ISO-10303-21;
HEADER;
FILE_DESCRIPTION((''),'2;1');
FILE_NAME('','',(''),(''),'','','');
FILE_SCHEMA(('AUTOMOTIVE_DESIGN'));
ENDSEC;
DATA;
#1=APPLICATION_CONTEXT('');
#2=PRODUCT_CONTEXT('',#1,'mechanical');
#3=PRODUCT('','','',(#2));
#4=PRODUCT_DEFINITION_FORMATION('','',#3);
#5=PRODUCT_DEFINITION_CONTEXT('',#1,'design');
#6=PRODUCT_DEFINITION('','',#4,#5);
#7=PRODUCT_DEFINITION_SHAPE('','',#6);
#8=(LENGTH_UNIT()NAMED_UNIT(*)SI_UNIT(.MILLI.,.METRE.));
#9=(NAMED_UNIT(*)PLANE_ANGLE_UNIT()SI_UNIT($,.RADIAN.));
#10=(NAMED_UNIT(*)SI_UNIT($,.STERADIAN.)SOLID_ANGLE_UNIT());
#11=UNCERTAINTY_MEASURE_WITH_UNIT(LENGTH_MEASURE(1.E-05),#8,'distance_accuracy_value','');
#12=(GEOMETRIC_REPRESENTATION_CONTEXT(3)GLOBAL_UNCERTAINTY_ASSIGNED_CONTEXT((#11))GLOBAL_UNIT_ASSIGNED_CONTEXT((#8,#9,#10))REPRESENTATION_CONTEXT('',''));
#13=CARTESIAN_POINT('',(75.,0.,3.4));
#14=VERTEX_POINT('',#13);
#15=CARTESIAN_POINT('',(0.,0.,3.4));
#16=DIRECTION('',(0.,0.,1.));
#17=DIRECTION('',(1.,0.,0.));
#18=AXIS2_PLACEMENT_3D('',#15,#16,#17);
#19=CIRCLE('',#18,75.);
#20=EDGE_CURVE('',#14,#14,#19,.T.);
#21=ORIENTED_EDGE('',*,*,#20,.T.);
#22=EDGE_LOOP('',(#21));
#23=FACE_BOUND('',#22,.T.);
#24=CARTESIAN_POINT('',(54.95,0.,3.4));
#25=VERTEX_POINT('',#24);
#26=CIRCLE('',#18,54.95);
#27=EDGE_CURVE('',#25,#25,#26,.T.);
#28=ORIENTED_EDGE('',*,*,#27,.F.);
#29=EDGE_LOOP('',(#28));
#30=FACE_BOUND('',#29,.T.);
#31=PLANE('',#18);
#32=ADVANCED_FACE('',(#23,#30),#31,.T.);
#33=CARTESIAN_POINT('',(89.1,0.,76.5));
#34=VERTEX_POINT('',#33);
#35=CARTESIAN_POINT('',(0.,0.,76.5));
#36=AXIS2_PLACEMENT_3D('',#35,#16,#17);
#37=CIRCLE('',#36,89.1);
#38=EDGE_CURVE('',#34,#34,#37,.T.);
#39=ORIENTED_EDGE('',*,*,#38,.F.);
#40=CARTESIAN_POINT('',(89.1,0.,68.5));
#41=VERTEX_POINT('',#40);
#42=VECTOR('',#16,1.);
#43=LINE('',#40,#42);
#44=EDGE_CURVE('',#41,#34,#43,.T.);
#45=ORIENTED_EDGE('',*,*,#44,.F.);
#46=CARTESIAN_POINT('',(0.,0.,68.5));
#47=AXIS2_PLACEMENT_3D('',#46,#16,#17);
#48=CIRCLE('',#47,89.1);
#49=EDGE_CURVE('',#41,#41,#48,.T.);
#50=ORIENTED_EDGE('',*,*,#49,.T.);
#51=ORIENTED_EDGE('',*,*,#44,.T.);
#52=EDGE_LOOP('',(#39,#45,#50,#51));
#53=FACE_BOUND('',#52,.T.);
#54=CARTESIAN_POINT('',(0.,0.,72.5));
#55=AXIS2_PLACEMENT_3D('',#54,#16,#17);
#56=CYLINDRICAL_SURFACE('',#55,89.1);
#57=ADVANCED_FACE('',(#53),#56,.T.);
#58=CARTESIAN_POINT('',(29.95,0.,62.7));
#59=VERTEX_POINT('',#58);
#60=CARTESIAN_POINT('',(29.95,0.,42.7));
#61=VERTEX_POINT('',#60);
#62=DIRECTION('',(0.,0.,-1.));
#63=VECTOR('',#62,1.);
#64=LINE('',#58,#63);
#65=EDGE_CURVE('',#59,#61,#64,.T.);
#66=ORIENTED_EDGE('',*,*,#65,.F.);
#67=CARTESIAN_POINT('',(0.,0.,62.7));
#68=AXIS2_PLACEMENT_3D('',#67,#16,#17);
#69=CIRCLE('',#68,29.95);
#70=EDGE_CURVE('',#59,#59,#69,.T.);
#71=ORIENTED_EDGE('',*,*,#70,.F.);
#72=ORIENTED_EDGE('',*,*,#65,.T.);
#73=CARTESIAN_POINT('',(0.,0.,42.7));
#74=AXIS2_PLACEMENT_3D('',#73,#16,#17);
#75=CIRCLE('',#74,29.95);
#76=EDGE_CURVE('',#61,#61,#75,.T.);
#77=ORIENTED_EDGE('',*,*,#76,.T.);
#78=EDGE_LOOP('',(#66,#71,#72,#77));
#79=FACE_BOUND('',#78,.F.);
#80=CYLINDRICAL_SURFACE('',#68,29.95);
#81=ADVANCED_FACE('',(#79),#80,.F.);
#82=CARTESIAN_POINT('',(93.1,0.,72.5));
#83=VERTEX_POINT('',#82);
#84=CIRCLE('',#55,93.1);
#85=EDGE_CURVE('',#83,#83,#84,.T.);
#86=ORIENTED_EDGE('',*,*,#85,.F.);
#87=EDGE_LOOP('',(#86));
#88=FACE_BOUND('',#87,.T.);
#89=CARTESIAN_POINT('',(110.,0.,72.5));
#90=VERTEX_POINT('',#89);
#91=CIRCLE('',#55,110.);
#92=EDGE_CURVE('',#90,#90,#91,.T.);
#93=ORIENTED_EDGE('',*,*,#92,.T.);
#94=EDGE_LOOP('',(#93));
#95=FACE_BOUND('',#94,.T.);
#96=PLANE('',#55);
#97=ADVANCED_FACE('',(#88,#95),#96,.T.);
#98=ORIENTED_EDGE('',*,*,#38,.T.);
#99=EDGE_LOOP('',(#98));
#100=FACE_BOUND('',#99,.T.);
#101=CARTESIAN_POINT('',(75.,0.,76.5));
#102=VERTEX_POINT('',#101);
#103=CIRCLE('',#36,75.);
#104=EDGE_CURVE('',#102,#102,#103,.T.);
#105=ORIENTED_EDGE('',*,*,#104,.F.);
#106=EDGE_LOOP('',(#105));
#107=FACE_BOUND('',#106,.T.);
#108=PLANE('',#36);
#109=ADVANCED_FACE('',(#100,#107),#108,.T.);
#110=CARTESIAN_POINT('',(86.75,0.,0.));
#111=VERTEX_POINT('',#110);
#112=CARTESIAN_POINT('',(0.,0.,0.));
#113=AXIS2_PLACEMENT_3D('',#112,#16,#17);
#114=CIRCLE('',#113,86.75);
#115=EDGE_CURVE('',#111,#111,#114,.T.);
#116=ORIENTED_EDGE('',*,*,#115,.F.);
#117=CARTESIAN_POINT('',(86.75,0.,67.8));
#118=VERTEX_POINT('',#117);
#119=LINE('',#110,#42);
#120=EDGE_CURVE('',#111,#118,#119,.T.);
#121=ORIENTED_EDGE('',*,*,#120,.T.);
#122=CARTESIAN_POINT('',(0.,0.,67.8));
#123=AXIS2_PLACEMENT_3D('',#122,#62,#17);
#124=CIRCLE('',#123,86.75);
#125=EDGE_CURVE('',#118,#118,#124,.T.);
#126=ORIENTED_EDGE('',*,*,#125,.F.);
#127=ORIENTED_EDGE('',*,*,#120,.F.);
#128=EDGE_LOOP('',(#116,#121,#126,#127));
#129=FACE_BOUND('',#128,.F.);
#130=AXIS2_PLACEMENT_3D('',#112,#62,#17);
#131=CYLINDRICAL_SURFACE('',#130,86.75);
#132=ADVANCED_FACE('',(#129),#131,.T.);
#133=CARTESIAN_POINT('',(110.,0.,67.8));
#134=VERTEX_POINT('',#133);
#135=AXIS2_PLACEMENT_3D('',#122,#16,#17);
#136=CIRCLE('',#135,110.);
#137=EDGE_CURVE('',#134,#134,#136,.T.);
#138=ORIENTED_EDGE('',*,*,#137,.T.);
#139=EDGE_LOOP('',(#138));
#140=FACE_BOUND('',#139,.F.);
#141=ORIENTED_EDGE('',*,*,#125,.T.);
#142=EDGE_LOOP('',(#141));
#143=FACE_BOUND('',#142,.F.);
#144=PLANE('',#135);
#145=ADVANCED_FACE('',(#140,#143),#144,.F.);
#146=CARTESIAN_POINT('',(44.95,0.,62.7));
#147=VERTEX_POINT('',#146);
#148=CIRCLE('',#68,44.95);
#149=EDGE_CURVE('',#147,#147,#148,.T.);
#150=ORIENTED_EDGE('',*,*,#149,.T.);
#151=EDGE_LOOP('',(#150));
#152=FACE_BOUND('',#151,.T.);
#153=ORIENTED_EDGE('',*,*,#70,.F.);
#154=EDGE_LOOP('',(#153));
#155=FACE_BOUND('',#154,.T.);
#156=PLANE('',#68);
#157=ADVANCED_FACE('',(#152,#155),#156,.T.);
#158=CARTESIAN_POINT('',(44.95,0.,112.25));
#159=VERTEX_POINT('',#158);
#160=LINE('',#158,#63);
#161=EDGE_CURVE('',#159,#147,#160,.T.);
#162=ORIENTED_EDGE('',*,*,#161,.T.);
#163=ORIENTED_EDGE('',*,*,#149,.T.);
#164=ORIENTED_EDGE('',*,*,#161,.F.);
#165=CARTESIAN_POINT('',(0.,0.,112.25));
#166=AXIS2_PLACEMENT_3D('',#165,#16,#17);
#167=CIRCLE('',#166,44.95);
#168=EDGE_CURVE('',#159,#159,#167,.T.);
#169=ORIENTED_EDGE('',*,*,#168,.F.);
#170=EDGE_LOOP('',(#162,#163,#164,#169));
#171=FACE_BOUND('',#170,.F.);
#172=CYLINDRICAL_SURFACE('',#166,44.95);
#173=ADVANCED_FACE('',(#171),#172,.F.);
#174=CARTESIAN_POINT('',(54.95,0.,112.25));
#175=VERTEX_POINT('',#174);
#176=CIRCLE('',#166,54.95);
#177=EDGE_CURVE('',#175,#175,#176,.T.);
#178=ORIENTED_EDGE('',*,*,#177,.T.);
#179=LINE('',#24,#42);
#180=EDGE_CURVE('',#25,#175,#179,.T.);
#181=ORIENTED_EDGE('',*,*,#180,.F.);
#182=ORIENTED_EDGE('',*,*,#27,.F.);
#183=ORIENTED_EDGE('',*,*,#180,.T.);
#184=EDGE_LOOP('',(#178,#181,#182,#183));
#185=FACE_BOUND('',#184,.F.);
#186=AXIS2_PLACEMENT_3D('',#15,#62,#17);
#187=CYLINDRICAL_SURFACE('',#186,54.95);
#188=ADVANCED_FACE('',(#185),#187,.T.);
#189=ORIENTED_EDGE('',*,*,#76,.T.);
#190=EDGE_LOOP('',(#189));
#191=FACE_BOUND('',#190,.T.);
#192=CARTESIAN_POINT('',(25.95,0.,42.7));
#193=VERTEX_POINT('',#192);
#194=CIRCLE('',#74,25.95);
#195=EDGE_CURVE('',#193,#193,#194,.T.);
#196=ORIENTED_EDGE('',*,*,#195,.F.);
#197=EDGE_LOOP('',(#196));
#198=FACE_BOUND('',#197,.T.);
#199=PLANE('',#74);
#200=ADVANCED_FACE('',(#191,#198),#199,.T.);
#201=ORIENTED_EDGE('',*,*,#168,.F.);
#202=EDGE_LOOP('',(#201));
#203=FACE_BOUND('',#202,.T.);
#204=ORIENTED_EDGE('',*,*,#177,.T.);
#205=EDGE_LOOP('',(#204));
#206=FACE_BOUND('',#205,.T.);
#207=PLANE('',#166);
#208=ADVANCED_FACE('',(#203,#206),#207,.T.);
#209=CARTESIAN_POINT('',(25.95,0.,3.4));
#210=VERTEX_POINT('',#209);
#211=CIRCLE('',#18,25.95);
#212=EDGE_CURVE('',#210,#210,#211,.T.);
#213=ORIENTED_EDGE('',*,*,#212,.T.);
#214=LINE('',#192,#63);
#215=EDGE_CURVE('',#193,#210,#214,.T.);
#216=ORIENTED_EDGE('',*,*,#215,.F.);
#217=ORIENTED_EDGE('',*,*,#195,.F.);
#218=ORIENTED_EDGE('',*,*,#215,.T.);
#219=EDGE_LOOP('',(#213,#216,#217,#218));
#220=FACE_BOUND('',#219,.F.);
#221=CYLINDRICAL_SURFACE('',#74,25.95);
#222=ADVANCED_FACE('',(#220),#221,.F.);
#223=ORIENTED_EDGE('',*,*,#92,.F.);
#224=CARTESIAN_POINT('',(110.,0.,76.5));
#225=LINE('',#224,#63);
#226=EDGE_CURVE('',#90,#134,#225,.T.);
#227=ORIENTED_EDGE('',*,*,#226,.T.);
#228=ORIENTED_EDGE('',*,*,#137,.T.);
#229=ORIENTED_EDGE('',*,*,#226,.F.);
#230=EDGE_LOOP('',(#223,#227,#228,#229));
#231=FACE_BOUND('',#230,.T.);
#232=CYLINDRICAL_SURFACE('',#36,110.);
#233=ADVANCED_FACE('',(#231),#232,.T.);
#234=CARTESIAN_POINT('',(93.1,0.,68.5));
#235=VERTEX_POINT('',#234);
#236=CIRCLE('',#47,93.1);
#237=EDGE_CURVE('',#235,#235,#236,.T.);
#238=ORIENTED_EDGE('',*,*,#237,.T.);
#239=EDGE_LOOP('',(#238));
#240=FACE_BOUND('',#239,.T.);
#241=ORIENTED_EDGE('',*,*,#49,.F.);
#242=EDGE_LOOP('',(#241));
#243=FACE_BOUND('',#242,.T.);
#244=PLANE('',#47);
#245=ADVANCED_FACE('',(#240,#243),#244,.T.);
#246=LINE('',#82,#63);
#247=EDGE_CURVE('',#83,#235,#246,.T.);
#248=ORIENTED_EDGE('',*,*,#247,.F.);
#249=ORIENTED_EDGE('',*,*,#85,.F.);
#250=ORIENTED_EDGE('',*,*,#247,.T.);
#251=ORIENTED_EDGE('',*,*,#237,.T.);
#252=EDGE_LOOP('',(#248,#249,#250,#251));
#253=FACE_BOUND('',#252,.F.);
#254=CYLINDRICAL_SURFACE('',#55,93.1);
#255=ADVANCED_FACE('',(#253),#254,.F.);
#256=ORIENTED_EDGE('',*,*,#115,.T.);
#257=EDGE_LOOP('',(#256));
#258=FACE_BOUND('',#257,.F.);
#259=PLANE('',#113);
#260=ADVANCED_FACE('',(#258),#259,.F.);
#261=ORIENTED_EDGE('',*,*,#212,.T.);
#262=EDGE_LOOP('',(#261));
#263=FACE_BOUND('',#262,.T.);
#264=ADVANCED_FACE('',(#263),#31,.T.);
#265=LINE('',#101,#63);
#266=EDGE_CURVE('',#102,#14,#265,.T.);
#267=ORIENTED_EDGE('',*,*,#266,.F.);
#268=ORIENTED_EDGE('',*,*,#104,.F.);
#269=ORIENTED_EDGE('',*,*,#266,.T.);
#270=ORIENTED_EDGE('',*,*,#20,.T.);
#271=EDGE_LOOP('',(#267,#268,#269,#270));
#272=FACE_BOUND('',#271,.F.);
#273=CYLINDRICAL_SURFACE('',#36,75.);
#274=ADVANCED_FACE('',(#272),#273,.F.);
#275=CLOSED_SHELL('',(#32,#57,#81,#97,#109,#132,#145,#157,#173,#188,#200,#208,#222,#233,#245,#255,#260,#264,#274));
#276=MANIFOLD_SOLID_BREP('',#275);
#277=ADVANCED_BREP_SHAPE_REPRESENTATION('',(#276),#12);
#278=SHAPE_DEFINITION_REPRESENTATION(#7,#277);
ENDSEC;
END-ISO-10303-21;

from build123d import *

# Parameters (mm, degrees)
F0_R      = 86.75
F1_DEPTH  = 76.5
F2_R      = 110
F3_DEPTH  = 8.7
F4_R      = 110
F4_R_2    = 93.1
F4_R_3    = 89.1
F5_DEPTH  = 4
F6_R      = 93.1
F6_R_2    = 89.1
F7_DEPTH  = 4
F8_R      = 75
F9_DEPTH  = 73.1
F10_R     = 54.95
F11_DEPTH = 108.85
F12_R     = 44.95
F13_DEPTH = 49.55
F14_R     = 29.95
F15_DEPTH = 20
F16_R     = 25.95
F17_DEPTH = 39.3


with BuildPart() as f1:
    # F0 (on Top) → F1 (new body)
    with BuildSketch(Plane.XY):
        Circle(F0_R)
    extrude(amount=F1_DEPTH)

    # F2 (on face) → F3 (join)
    with BuildSketch(Plane.XY.offset(76.5)):
        Circle(F2_R)
    extrude(amount=-F3_DEPTH)

    # F4 (on face) → F5 (cut)
    with BuildSketch(Plane.XY.offset(76.5)):
        Circle(F4_R)
        Circle(F4_R_2, mode=Mode.SUBTRACT)
        Circle(F4_R_2)
        Circle(F4_R_3, mode=Mode.SUBTRACT)
    extrude(amount=-F5_DEPTH, mode=Mode.SUBTRACT)

    # F6 (on face) → F7 (cut)
    with BuildSketch(Plane.XY.offset(72.5)):
        Circle(F6_R)
        Circle(F6_R_2, mode=Mode.SUBTRACT)
    extrude(amount=-F7_DEPTH, mode=Mode.SUBTRACT)

    # F8 (on face) → F9 (cut)
    with BuildSketch(Plane.XY.offset(76.5)):
        Circle(F8_R)
    extrude(amount=-F9_DEPTH, mode=Mode.SUBTRACT)

    # F10 (on face) → F11 (join)
    with BuildSketch(Plane.XY.offset(3.4)):
        Circle(F10_R)
    extrude(amount=F11_DEPTH)

    # F12 (on face) → F13 (cut)
    with BuildSketch(Plane.XY.offset(112.25)):
        Circle(F12_R)
    extrude(amount=-F13_DEPTH, mode=Mode.SUBTRACT)

    # F14 (on face) → F15 (cut)
    with BuildSketch(Plane.XY.offset(62.7)):
        Circle(F14_R)
    extrude(amount=-F15_DEPTH, mode=Mode.SUBTRACT)

    # F16 (on face) → F17 (cut)
    with BuildSketch(Plane.XY.offset(42.7)):
        Circle(F16_R)
    extrude(amount=-F17_DEPTH, mode=Mode.SUBTRACT)


solid = f1.part
